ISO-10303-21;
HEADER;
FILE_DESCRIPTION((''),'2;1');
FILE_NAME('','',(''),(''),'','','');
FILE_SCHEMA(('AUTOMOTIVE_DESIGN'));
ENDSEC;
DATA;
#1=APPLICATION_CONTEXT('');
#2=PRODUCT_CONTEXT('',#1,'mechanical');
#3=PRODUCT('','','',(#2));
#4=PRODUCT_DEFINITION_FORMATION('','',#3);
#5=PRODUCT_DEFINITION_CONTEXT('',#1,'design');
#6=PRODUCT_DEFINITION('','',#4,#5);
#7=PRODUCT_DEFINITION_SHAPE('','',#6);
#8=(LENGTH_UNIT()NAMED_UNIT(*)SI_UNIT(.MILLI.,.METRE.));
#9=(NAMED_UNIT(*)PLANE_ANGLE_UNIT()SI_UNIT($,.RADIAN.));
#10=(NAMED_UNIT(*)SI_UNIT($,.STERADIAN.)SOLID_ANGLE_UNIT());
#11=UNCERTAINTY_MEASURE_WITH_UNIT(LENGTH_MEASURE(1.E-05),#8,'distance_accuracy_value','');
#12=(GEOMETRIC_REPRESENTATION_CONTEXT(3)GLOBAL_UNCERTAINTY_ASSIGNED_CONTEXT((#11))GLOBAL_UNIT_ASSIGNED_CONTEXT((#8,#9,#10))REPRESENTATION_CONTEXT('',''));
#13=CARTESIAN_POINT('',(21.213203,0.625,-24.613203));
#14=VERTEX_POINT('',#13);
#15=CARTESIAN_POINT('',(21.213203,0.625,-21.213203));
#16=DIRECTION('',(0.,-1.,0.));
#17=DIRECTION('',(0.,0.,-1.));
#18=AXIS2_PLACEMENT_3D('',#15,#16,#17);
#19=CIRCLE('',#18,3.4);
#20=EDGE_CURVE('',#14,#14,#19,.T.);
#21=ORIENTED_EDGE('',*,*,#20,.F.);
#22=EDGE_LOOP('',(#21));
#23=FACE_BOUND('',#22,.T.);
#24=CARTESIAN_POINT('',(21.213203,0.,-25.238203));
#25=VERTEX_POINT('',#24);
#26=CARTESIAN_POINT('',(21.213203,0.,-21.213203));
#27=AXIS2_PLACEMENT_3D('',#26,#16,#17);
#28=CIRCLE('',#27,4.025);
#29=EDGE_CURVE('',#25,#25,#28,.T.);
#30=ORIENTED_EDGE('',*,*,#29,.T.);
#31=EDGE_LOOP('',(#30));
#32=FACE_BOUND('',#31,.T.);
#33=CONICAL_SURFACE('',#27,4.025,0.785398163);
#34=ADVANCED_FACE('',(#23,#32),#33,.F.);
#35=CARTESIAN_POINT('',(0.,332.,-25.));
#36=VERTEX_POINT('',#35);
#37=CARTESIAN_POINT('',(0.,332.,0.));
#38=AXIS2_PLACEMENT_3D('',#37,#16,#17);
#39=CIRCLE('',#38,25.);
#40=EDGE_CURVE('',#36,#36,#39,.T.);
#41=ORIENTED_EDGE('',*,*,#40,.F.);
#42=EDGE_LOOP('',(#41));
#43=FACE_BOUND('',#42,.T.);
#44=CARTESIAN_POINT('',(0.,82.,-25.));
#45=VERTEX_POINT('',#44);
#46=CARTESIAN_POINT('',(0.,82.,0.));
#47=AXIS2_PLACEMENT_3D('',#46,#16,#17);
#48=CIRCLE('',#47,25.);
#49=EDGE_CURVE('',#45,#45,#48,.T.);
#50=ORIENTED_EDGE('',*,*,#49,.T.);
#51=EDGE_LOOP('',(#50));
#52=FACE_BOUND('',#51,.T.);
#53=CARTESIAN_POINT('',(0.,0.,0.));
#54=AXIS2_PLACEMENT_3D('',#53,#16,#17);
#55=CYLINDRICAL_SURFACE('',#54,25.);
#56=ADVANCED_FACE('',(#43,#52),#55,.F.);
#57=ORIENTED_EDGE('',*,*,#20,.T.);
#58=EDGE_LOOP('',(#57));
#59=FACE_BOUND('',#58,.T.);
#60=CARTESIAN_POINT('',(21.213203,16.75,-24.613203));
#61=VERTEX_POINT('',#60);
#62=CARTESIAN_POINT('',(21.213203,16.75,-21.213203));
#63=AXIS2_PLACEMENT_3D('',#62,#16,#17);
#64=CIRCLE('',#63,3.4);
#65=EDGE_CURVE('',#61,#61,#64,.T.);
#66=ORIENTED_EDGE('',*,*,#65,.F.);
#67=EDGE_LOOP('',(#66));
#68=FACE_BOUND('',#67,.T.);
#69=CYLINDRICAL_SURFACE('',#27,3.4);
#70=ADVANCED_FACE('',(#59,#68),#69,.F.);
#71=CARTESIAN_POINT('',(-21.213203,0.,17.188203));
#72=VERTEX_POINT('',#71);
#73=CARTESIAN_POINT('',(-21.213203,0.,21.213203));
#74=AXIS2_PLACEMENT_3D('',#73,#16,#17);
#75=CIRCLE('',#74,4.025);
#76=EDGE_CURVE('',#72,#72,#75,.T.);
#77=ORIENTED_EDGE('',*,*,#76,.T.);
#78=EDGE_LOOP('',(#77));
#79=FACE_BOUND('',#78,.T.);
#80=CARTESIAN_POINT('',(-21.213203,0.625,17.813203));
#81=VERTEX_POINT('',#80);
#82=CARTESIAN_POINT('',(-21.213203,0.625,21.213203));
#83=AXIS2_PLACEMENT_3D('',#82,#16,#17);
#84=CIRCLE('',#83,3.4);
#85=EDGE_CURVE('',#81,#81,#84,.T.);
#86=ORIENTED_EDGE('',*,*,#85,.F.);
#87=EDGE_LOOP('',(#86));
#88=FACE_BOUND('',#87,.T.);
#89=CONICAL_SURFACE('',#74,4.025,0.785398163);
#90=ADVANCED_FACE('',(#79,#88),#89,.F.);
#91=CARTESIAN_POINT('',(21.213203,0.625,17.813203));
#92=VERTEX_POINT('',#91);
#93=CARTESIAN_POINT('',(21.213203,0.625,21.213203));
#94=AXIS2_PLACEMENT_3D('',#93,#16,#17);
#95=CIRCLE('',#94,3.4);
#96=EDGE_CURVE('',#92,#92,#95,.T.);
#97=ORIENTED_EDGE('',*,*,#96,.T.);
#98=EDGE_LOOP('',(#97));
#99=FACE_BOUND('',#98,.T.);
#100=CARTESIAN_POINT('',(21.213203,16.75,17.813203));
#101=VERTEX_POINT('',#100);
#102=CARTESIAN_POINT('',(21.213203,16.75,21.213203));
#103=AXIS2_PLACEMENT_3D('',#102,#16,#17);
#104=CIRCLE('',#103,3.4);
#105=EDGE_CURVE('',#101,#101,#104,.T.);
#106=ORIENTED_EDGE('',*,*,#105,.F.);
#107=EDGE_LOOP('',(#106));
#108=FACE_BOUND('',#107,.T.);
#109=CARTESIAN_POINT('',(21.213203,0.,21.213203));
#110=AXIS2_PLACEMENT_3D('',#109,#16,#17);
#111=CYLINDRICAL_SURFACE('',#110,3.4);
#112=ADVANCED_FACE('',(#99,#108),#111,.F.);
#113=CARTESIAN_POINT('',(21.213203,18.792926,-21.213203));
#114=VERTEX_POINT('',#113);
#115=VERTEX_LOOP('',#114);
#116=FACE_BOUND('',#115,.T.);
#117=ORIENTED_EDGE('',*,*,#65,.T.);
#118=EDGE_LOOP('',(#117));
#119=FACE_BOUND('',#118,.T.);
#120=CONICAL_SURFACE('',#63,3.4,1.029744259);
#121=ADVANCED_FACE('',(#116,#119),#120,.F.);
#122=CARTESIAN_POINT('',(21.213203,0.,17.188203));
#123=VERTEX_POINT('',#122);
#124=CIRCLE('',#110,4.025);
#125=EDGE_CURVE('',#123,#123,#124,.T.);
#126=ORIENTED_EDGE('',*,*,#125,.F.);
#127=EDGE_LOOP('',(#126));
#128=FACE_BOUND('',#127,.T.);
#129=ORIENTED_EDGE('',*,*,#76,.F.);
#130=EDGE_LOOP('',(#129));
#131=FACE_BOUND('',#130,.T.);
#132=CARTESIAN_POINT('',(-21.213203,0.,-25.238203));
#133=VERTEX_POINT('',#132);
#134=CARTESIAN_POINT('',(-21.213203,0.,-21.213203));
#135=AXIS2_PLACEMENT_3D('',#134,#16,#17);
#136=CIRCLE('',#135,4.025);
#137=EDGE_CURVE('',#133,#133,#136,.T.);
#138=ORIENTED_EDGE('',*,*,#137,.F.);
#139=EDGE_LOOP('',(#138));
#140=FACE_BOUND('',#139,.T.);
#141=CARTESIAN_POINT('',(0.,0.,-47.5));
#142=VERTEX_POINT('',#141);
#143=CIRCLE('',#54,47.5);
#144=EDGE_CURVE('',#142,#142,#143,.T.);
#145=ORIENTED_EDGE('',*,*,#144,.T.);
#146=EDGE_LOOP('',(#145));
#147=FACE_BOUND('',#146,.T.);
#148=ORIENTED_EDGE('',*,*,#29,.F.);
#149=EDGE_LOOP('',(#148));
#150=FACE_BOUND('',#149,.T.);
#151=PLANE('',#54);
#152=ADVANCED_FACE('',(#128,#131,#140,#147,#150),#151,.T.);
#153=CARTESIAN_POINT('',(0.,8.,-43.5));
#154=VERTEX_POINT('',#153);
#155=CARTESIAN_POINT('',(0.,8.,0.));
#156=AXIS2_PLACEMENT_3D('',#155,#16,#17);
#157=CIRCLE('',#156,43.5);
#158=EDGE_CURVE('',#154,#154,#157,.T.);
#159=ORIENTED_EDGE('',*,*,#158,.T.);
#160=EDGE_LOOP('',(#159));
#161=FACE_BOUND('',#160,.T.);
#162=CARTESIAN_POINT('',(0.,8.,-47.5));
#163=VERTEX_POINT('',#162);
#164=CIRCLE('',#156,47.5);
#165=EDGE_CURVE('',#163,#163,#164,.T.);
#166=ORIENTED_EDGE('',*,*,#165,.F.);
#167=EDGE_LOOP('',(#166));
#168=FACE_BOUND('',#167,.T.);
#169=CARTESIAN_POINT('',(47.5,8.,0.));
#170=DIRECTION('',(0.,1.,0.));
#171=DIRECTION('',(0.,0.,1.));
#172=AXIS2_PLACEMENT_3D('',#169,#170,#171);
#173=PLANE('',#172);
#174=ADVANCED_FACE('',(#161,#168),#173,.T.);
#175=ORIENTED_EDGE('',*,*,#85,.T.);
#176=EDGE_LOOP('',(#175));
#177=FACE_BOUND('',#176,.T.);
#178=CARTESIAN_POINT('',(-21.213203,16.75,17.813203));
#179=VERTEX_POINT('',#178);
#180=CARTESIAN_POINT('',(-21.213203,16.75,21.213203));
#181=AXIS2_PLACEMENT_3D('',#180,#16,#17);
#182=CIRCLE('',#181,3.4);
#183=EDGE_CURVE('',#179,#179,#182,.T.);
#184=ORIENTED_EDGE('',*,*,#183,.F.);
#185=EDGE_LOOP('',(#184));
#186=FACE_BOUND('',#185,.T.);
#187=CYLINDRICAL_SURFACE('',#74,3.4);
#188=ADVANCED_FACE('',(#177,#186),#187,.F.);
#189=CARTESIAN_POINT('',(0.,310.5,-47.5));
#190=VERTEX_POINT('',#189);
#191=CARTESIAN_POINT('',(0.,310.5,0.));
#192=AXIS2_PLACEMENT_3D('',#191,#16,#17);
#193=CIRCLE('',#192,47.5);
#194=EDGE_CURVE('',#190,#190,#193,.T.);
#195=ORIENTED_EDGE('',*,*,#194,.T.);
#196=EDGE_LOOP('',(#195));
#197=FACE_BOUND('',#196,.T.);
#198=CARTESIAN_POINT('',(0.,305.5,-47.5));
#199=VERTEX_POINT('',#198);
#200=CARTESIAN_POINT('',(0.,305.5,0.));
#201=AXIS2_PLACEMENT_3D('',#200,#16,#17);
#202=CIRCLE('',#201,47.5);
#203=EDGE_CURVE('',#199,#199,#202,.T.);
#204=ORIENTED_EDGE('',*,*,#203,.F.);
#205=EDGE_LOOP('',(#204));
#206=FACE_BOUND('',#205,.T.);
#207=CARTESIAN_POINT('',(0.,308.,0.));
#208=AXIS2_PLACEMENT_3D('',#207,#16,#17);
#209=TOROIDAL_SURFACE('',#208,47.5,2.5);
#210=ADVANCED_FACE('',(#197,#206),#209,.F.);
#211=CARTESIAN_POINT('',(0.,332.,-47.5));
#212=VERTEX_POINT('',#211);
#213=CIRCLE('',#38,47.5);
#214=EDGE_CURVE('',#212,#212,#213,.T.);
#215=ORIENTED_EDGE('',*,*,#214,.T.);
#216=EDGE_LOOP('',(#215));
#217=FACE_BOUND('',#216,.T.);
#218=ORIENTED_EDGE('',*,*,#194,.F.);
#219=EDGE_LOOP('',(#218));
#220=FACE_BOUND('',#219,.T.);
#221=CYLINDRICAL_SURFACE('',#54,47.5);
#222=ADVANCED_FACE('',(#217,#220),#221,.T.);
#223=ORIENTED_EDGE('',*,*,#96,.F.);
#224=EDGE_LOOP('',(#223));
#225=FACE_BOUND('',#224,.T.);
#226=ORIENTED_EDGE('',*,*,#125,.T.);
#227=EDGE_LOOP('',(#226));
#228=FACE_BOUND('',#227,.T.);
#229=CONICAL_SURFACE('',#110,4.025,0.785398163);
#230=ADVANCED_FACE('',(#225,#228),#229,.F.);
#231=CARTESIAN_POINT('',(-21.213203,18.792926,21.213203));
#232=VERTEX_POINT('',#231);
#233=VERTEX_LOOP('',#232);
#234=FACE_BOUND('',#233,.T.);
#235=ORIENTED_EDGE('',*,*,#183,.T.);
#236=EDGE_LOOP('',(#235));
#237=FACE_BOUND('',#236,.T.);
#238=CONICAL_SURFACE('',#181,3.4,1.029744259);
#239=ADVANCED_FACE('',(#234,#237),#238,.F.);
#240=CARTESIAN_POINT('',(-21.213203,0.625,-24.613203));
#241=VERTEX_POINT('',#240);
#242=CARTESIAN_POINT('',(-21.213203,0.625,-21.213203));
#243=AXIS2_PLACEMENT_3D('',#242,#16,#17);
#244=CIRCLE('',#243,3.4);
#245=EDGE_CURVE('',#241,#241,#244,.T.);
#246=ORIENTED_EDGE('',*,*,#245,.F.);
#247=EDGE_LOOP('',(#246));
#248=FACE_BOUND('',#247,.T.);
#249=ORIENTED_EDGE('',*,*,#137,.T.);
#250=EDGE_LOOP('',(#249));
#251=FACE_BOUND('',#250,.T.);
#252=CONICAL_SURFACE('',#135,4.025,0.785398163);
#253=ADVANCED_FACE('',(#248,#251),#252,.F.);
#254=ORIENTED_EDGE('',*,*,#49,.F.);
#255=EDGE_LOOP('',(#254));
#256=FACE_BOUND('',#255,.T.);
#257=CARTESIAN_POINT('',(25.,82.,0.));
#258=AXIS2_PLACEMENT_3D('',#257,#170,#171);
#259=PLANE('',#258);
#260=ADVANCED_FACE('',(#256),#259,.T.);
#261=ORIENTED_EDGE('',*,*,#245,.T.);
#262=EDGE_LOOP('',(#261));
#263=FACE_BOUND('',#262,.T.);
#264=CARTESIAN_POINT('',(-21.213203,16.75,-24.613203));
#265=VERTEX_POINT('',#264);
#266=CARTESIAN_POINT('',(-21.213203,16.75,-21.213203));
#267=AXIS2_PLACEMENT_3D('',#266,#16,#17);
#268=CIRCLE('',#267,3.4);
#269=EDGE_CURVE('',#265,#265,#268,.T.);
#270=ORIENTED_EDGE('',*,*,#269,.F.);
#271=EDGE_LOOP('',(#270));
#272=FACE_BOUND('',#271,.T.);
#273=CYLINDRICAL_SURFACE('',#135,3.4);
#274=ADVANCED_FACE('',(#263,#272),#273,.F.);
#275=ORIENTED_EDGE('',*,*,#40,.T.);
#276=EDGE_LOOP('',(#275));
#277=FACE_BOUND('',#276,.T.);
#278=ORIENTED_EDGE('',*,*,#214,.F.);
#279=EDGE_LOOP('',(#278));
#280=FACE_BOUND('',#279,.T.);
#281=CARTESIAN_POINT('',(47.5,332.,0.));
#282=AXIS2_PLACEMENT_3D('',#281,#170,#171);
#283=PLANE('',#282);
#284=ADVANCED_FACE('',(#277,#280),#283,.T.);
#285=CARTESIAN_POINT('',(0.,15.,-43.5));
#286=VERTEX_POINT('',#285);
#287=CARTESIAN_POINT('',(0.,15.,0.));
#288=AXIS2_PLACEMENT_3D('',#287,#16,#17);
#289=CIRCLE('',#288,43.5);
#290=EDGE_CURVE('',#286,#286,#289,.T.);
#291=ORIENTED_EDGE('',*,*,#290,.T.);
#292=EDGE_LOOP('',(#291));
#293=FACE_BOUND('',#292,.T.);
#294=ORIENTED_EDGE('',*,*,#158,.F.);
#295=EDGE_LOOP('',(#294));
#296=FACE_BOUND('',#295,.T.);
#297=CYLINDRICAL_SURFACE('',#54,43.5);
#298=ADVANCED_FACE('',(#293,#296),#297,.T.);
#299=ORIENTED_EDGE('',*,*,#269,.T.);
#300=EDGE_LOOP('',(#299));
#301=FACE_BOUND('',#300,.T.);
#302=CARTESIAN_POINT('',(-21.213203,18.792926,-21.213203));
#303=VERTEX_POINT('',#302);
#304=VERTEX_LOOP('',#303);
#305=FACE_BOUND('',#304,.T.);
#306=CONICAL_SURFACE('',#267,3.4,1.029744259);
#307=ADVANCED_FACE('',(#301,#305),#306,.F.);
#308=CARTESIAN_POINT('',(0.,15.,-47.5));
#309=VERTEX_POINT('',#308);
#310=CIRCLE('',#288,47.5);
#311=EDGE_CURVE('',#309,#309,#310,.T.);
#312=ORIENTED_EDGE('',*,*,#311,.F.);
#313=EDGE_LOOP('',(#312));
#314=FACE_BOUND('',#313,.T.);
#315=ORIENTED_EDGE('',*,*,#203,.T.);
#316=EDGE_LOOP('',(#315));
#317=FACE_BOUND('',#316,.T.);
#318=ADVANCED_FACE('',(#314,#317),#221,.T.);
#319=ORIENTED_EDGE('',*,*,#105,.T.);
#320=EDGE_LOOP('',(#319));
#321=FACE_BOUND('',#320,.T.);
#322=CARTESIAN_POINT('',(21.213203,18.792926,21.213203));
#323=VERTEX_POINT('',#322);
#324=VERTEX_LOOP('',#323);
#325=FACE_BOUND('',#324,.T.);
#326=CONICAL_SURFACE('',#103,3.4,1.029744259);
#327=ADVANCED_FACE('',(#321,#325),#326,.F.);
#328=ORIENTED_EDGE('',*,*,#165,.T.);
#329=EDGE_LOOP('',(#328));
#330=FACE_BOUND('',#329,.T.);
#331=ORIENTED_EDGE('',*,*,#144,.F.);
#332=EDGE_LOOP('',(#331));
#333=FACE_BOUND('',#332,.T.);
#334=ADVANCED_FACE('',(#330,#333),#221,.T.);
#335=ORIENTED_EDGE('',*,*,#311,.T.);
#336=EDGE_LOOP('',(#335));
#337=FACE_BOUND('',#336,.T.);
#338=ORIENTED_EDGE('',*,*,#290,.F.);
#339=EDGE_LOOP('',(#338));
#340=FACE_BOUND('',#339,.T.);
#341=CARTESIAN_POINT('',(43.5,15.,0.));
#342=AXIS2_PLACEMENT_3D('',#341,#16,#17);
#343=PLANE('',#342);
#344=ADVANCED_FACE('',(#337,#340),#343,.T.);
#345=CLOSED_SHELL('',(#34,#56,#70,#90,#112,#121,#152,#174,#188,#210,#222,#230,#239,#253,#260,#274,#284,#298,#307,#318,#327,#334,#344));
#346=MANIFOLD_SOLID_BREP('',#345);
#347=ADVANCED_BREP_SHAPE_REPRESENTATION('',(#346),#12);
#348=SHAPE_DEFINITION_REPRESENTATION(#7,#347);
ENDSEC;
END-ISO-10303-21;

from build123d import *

# Parameters (mm, degrees)
M8_TAPPED_HOLE1_D           = 6.8
M8_TAPPED_HOLE1_DEPTH       = 16.75
M8_TAPPED_HOLE1_CSINK_D     = 8.05
M8_TAPPED_HOLE1_CSINK_ANGLE = 90
M8_TAPPED_HOLE1_TIP         = 2.042926105


with BuildPart() as part:
    # Sketch1 → Revolve1 (revolve)
    with BuildSketch(Plane.XY, mode=Mode.PRIVATE) as revolve1_sk:
        with BuildLine():
            Line((0, 0), (47.5, 0))
            Line((47.5, 0), (47.5, 8))
            Line((47.5, 8), (43.5, 8))
            Line((43.5, 8), (43.5, 15))
            Line((43.5, 15), (47.5, 15))
            Line((47.5, 15), (47.5, 305.5))
            ThreePointArc((47.5, 305.5), (45, 308), (47.5, 310.5))
            Line((47.5, 310.5), (47.5, 332))
            Line((47.5, 332), (25, 332))
            Line((25, 332), (25, 82))
            Line((25, 82), (0, 82))
            Line((0, 82), (0, 0))
        make_face()
    revolve(revolve1_sk.sketch.rotate(Axis((0, 0, 0), (0, 1, 0)), 90), axis=Axis((0, 0, 0), (0, 1, 0)))

    # M8 Tapped Hole1
    with Locations(Plane(origin=(21.213203436, 0, 21.213203436), x_dir=(0, 0, -1), z_dir=(0, -1, 0))):
        with Locations((0, 0), (0, -42.426406872), (42.426406872, -42.426406872), (42.426406872, 0)):
            CounterSinkHole(M8_TAPPED_HOLE1_D / 2, M8_TAPPED_HOLE1_CSINK_D / 2, depth=M8_TAPPED_HOLE1_DEPTH, counter_sink_angle=M8_TAPPED_HOLE1_CSINK_ANGLE)
            with Locations((0, 0, -(M8_TAPPED_HOLE1_DEPTH + M8_TAPPED_HOLE1_TIP / 2))):  # 118° drill point
                Cone(0, M8_TAPPED_HOLE1_D / 2, M8_TAPPED_HOLE1_TIP, mode=Mode.SUBTRACT)


solid = part.part
